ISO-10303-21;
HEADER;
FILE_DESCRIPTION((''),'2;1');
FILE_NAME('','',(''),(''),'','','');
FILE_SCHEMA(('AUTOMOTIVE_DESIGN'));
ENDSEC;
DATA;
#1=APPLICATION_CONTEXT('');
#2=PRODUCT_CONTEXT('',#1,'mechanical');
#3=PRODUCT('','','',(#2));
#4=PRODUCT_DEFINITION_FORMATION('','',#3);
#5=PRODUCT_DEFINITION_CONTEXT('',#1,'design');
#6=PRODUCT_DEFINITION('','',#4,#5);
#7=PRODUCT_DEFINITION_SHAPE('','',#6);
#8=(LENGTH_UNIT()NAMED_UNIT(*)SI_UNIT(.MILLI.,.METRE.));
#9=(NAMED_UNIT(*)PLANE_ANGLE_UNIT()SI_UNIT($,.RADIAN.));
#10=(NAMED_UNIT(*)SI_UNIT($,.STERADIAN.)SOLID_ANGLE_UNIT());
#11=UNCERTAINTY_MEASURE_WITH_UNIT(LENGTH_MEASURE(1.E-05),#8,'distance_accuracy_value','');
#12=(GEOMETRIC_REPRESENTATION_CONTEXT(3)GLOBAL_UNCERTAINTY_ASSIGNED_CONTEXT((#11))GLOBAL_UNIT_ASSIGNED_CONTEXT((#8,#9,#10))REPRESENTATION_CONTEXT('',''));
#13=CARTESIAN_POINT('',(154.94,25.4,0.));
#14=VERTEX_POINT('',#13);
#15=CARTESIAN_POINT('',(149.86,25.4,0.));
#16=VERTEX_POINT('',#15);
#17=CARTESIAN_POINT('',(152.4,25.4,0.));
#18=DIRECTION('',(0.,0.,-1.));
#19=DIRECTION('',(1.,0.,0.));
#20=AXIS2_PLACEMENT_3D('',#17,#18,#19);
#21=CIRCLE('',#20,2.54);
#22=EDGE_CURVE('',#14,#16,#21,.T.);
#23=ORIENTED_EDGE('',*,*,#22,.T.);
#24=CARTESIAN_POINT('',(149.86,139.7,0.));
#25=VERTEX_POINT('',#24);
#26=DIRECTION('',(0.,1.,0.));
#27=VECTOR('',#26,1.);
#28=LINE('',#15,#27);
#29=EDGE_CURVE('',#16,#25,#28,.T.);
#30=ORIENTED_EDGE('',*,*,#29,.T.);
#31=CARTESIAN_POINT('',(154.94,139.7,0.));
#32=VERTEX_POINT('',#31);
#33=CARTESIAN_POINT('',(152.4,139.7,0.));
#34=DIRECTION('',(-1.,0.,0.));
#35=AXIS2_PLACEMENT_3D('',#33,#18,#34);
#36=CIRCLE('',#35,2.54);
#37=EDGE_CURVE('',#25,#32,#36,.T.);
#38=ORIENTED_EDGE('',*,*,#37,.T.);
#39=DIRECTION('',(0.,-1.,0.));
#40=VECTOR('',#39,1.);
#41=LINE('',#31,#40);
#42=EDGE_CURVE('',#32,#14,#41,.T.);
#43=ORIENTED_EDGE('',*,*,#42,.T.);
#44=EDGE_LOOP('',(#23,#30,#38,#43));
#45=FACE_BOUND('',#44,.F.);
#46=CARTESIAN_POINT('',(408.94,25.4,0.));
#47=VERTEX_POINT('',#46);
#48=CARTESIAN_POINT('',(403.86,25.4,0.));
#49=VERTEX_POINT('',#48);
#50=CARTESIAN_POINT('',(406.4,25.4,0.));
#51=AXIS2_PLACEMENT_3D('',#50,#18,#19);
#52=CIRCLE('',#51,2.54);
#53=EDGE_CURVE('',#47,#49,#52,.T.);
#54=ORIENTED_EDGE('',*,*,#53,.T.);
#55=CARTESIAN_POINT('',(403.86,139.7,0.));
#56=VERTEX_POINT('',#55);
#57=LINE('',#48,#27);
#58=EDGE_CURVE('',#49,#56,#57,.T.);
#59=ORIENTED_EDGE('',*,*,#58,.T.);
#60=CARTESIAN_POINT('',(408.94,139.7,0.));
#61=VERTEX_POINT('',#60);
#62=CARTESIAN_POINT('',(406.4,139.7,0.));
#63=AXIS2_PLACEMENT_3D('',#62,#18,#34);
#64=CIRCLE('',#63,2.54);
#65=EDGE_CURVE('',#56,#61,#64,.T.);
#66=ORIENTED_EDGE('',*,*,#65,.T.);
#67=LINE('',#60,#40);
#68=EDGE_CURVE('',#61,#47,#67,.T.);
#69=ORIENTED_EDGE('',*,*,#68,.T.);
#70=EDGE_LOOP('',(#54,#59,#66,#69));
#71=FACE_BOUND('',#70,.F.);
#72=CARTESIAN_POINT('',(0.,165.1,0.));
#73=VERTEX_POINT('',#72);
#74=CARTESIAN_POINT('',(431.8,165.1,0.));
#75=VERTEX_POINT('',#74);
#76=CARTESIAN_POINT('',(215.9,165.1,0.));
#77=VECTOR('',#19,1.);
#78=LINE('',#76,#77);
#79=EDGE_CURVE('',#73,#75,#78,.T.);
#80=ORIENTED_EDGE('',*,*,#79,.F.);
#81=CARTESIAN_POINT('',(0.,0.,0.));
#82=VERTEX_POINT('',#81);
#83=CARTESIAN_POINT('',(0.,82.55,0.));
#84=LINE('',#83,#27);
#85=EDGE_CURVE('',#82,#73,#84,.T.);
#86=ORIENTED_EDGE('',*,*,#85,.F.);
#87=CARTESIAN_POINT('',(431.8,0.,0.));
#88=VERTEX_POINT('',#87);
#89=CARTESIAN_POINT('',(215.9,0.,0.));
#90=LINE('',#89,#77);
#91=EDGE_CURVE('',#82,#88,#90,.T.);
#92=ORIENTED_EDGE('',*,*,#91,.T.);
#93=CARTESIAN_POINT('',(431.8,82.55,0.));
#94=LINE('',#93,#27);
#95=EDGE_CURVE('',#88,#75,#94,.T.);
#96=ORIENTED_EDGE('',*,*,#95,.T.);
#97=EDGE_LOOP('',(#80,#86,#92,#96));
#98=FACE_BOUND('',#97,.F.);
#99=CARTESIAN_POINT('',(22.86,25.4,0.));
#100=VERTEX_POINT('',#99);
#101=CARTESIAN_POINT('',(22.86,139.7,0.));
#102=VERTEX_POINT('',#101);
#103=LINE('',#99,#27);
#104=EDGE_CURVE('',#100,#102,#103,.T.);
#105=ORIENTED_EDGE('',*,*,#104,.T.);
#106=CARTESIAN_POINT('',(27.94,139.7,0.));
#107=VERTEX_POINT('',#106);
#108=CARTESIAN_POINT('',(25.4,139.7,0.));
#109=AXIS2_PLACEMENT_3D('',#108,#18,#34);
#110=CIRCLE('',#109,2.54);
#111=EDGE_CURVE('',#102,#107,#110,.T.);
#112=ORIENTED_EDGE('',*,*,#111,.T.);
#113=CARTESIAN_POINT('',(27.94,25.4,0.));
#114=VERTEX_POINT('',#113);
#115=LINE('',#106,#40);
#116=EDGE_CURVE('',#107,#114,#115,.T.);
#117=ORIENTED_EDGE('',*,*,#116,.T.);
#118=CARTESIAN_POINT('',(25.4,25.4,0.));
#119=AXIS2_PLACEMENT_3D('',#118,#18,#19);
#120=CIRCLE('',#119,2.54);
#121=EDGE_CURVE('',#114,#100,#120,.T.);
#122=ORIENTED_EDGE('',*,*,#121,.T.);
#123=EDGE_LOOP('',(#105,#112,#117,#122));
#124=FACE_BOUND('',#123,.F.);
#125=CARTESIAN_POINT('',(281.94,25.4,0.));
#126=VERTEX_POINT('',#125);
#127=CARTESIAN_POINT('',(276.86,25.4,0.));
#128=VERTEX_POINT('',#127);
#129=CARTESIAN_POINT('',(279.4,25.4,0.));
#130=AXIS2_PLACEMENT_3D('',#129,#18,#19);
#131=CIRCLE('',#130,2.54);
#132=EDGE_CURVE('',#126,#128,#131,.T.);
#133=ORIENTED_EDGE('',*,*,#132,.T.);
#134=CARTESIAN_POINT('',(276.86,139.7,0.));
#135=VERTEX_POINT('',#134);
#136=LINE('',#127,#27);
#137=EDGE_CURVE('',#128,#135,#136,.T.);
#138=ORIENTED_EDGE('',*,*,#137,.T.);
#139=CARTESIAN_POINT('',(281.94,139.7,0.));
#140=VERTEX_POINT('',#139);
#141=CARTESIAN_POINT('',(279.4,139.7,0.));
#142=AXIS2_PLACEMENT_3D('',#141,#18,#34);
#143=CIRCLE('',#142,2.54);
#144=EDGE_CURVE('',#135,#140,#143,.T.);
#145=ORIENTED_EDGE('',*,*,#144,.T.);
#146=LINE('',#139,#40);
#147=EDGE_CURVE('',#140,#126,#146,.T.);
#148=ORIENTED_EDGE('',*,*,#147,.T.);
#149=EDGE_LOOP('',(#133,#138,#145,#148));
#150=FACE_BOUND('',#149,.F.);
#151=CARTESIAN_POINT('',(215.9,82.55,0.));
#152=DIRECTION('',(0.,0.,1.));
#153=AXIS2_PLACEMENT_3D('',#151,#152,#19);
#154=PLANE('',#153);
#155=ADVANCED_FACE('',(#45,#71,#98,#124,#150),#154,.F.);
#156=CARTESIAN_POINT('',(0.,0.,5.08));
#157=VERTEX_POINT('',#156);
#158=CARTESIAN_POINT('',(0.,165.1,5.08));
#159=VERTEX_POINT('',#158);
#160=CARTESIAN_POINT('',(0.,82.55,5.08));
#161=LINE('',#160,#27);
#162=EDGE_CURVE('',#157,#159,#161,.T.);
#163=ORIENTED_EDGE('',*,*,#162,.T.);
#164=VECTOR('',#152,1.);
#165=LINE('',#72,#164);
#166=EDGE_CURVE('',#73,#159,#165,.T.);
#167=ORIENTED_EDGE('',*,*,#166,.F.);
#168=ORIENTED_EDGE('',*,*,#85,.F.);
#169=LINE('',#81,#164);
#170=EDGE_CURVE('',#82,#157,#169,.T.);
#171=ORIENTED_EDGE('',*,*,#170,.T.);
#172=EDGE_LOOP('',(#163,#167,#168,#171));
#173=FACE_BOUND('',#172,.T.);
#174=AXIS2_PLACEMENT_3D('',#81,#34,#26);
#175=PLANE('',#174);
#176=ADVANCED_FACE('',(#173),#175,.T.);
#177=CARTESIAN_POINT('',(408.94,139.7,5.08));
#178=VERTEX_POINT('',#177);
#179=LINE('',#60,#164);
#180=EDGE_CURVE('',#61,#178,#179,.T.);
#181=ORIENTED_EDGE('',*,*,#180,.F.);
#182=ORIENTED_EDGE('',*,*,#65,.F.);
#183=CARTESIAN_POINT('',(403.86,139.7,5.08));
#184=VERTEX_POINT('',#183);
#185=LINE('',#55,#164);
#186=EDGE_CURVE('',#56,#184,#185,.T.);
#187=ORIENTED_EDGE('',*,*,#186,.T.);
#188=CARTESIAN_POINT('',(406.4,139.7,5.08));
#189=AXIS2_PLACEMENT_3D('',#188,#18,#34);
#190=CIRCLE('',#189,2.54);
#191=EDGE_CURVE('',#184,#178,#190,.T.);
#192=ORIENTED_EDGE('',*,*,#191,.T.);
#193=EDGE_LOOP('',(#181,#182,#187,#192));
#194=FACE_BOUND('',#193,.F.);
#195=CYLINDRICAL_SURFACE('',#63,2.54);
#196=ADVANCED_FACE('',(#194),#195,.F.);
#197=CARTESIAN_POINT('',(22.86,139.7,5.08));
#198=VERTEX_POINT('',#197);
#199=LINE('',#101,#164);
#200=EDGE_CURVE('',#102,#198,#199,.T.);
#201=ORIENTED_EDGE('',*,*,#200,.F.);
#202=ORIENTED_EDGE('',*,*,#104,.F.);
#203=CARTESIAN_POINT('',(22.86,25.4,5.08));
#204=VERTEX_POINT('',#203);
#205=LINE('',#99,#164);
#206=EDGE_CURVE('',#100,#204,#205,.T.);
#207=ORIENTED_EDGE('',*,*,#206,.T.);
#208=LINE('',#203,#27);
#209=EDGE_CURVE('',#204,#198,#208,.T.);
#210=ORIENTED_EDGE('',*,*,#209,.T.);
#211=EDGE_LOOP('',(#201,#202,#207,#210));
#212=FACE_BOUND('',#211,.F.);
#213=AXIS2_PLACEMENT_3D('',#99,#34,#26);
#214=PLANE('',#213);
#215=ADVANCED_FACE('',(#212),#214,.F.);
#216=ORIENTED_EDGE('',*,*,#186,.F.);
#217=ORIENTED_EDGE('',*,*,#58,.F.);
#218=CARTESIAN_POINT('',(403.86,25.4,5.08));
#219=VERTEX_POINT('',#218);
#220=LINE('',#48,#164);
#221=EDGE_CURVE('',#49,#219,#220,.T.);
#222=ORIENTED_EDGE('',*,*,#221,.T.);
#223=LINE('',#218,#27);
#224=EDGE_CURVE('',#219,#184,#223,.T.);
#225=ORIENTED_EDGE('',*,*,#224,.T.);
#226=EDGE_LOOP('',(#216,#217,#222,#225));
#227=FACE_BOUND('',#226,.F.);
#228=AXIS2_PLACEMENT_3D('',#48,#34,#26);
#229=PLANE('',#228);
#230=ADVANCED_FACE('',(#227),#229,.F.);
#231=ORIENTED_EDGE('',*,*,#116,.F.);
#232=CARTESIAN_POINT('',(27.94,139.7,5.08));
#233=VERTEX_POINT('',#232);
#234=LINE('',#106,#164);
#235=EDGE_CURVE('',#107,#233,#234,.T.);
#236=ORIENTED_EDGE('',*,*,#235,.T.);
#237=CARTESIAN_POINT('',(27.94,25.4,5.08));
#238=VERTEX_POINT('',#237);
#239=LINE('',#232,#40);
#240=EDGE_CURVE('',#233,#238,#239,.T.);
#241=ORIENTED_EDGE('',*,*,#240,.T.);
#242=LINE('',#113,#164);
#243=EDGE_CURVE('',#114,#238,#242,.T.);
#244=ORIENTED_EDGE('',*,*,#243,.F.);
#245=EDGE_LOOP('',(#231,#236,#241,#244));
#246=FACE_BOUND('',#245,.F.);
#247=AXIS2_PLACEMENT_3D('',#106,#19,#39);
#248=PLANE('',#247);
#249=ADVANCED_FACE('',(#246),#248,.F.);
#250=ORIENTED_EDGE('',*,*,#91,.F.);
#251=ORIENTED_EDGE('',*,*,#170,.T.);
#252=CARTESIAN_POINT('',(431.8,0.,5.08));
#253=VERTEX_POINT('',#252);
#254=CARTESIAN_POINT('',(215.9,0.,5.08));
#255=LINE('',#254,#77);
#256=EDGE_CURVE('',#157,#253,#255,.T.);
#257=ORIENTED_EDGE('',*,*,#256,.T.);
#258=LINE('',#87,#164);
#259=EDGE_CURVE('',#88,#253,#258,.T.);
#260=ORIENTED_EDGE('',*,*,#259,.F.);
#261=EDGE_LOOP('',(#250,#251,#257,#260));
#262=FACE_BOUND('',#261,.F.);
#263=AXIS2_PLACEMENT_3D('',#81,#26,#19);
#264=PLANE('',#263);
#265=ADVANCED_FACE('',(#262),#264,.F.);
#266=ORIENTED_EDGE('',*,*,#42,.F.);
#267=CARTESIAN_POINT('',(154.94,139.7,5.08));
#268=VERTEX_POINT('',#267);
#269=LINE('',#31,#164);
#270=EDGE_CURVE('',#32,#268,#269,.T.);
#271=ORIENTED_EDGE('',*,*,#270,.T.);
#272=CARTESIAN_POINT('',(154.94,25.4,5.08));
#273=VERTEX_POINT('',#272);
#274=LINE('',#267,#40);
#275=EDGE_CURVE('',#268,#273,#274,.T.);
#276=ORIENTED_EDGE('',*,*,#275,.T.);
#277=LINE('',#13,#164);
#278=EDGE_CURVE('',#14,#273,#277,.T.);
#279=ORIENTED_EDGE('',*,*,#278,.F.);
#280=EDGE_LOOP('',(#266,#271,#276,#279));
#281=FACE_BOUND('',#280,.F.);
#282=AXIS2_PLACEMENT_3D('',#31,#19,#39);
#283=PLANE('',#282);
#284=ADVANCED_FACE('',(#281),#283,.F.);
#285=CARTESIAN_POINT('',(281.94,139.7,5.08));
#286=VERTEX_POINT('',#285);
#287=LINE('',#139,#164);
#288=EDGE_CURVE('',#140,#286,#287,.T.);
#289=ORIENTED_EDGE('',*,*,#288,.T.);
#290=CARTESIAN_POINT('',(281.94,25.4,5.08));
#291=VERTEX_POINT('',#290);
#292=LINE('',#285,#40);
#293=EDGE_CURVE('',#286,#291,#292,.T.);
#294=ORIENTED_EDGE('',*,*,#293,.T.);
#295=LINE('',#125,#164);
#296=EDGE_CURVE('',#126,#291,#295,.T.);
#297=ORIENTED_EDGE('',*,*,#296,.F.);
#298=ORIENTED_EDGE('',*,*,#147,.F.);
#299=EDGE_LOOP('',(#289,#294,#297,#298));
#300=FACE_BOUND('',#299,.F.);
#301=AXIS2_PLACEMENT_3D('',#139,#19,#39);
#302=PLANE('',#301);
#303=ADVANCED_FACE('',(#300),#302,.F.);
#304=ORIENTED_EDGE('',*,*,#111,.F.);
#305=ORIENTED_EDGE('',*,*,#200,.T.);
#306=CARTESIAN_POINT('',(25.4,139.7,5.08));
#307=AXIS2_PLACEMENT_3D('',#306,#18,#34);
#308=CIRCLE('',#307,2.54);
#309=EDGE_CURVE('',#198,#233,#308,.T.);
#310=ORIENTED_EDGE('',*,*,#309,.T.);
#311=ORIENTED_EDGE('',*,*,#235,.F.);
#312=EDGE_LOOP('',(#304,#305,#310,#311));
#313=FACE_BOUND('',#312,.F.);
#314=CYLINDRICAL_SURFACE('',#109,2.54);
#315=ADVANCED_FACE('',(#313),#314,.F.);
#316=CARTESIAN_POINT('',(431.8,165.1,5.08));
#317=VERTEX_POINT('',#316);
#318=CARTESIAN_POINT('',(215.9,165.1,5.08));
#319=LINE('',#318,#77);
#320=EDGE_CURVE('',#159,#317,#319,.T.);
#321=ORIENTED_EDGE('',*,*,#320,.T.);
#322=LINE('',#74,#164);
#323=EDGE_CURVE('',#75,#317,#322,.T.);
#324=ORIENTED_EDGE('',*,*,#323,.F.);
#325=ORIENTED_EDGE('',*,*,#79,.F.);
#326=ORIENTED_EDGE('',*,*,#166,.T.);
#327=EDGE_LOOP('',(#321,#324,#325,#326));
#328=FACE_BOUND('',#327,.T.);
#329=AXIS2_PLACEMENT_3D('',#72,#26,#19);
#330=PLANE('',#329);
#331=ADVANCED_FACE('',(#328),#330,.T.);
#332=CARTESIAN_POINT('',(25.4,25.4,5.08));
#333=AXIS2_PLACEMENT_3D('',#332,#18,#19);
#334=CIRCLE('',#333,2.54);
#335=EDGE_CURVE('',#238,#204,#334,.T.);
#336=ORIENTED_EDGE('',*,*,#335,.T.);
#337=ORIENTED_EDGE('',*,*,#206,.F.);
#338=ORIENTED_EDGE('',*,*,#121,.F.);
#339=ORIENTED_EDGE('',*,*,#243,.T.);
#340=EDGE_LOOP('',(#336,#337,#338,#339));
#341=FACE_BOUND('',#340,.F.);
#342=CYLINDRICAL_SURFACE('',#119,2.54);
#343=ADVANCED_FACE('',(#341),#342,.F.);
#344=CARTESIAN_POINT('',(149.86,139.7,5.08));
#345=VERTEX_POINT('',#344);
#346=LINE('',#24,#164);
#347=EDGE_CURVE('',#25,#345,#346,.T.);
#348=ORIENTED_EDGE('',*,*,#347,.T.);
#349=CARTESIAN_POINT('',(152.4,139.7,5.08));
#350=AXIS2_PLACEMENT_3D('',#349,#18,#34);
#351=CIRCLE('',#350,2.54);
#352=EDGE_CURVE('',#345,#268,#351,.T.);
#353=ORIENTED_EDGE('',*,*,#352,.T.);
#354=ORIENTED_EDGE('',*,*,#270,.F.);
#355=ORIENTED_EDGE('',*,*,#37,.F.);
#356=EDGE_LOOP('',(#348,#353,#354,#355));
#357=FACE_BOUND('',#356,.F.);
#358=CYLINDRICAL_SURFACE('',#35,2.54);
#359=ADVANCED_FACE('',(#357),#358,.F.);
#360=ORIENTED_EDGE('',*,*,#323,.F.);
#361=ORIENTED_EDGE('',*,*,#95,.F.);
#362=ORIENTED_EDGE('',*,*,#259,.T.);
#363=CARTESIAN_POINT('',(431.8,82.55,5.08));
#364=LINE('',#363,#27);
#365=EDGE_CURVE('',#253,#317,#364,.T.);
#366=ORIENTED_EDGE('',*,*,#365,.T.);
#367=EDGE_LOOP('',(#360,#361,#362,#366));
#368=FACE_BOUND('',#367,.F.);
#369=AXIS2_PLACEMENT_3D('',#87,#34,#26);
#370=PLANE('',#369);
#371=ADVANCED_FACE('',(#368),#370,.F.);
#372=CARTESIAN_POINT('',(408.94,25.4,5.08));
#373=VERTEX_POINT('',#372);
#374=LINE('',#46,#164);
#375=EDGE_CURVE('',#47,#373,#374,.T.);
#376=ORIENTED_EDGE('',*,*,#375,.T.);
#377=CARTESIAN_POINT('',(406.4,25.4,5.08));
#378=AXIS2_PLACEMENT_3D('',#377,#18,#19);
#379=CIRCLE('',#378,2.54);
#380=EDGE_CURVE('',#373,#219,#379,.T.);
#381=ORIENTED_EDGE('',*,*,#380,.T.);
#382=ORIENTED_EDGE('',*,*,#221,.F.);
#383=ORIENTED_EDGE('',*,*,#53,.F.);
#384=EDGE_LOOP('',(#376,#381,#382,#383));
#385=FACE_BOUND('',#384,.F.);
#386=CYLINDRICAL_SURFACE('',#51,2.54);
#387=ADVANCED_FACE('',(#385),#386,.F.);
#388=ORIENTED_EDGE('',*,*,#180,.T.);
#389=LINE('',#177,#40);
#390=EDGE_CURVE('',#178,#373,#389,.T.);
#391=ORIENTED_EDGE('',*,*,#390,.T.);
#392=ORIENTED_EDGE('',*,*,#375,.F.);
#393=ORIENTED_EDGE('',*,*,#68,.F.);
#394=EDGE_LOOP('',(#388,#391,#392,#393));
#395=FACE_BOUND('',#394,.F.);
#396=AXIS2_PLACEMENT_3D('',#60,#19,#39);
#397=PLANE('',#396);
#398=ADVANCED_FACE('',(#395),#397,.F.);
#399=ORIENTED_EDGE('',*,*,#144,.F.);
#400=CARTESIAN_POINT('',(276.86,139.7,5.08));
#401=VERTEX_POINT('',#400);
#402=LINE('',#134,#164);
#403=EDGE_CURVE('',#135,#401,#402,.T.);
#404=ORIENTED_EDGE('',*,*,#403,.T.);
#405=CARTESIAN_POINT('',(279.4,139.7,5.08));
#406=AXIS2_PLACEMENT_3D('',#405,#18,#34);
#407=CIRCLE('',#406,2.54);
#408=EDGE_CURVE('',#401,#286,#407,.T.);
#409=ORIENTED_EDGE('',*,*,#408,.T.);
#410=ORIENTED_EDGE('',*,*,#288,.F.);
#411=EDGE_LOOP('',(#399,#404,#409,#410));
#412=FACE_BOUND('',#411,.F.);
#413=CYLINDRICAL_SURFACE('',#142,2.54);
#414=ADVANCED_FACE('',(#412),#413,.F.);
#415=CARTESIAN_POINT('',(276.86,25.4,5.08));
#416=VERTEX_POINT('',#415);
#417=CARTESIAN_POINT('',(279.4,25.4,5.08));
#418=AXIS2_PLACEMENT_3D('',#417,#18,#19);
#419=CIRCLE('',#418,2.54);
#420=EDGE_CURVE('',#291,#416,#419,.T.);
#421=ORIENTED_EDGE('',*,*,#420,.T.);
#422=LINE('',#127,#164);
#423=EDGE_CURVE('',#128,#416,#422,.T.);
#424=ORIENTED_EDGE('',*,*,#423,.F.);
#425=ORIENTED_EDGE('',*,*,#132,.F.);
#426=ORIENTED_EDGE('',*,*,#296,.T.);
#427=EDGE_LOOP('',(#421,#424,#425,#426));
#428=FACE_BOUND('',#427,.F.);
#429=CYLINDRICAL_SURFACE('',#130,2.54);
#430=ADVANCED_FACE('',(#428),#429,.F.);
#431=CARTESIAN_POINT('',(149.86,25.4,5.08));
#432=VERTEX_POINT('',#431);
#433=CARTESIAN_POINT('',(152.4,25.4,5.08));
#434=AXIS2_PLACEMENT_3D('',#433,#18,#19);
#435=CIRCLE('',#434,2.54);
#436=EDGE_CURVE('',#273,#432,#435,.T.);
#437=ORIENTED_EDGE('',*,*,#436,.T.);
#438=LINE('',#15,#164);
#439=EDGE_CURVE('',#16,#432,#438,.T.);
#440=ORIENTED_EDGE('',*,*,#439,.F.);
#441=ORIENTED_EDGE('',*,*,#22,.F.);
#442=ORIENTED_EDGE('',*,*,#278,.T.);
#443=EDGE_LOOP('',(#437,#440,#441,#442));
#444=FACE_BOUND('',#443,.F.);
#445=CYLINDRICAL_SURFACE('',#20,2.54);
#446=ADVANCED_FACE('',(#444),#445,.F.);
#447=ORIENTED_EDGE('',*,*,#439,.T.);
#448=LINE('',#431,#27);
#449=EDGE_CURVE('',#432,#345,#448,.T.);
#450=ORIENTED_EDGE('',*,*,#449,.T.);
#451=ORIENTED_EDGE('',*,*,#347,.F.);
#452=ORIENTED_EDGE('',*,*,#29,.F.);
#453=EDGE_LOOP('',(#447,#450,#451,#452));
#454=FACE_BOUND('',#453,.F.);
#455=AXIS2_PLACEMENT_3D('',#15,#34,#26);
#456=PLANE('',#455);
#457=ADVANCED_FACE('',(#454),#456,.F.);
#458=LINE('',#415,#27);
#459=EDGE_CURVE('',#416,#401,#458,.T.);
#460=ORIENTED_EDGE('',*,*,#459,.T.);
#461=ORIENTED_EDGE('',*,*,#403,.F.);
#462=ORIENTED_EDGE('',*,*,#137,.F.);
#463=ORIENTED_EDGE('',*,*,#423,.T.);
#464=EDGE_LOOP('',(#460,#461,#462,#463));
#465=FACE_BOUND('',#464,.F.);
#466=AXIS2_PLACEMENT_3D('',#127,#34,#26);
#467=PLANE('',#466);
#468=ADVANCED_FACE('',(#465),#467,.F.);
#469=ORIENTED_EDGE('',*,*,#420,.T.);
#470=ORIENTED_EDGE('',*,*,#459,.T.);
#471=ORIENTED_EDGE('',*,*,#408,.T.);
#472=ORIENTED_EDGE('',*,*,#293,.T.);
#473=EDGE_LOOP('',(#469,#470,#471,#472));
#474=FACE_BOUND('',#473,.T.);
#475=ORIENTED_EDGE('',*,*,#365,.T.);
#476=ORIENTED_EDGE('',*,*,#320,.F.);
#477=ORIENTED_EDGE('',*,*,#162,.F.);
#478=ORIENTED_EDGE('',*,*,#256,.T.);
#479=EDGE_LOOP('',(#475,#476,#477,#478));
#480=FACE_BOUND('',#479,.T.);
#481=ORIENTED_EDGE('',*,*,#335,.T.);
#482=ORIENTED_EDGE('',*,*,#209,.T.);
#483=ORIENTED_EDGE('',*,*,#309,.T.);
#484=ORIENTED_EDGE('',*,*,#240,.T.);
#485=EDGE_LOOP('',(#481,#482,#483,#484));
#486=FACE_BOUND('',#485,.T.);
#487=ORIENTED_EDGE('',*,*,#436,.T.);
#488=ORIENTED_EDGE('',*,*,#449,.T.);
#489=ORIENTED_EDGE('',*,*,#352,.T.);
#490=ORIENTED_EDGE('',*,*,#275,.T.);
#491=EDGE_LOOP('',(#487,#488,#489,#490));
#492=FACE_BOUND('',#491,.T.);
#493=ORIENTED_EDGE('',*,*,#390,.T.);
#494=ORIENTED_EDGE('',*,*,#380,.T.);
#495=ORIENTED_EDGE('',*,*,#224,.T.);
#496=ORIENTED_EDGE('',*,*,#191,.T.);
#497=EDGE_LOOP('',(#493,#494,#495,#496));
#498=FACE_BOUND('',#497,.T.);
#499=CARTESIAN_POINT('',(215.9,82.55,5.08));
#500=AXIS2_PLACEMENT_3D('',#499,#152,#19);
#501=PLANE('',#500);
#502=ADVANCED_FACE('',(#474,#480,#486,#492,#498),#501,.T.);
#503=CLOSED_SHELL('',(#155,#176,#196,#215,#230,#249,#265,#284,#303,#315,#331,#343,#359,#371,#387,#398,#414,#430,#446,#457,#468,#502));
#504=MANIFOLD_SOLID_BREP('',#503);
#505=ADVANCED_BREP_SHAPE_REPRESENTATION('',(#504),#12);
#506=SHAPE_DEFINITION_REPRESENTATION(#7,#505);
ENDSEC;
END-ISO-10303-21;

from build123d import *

# Parameters (mm, degrees)
F0_W     = 431.8
F0_H     = 165.1
F1_DEPTH = 5.08


with BuildPart() as f1:
    # F0 (on Top) → F1 (new body)
    with BuildSketch(Plane.XY):
        with Locations((215.9, 82.55)):
            Rectangle(F0_W, F0_H)
        with BuildLine():
            Line((22.86, 25.4), (22.86, 139.7))
            ThreePointArc((22.86, 139.7), (25.4, 142.24), (27.94, 139.7))
            Line((27.94, 139.7), (27.94, 25.4))
            ThreePointArc((27.94, 25.4), (25.4, 22.86), (22.86, 25.4))
        make_face(mode=Mode.SUBTRACT)
        with BuildLine():
            ThreePointArc((149.86, 139.7), (152.4, 142.24), (154.94, 139.7))
            Line((154.94, 139.7), (154.94, 25.4))
            ThreePointArc((154.94, 25.4), (152.4, 22.86), (149.86, 25.4))
            Line((149.86, 25.4), (149.86, 139.7))
        make_face(mode=Mode.SUBTRACT)
        with BuildLine():
            ThreePointArc((276.86, 139.7), (279.4, 142.24), (281.94, 139.7))
            Line((281.94, 139.7), (281.94, 25.4))
            ThreePointArc((281.94, 25.4), (279.4, 22.86), (276.86, 25.4))
            Line((276.86, 25.4), (276.86, 139.7))
        make_face(mode=Mode.SUBTRACT)
        with BuildLine():
            ThreePointArc((403.86, 139.7), (406.4, 142.24), (408.94, 139.7))
            Line((408.94, 139.7), (408.94, 25.4))
            ThreePointArc((408.94, 25.4), (406.4, 22.86), (403.86, 25.4))
            Line((403.86, 25.4), (403.86, 139.7))
        make_face(mode=Mode.SUBTRACT)
    extrude(amount=F1_DEPTH)


solid = f1.part
